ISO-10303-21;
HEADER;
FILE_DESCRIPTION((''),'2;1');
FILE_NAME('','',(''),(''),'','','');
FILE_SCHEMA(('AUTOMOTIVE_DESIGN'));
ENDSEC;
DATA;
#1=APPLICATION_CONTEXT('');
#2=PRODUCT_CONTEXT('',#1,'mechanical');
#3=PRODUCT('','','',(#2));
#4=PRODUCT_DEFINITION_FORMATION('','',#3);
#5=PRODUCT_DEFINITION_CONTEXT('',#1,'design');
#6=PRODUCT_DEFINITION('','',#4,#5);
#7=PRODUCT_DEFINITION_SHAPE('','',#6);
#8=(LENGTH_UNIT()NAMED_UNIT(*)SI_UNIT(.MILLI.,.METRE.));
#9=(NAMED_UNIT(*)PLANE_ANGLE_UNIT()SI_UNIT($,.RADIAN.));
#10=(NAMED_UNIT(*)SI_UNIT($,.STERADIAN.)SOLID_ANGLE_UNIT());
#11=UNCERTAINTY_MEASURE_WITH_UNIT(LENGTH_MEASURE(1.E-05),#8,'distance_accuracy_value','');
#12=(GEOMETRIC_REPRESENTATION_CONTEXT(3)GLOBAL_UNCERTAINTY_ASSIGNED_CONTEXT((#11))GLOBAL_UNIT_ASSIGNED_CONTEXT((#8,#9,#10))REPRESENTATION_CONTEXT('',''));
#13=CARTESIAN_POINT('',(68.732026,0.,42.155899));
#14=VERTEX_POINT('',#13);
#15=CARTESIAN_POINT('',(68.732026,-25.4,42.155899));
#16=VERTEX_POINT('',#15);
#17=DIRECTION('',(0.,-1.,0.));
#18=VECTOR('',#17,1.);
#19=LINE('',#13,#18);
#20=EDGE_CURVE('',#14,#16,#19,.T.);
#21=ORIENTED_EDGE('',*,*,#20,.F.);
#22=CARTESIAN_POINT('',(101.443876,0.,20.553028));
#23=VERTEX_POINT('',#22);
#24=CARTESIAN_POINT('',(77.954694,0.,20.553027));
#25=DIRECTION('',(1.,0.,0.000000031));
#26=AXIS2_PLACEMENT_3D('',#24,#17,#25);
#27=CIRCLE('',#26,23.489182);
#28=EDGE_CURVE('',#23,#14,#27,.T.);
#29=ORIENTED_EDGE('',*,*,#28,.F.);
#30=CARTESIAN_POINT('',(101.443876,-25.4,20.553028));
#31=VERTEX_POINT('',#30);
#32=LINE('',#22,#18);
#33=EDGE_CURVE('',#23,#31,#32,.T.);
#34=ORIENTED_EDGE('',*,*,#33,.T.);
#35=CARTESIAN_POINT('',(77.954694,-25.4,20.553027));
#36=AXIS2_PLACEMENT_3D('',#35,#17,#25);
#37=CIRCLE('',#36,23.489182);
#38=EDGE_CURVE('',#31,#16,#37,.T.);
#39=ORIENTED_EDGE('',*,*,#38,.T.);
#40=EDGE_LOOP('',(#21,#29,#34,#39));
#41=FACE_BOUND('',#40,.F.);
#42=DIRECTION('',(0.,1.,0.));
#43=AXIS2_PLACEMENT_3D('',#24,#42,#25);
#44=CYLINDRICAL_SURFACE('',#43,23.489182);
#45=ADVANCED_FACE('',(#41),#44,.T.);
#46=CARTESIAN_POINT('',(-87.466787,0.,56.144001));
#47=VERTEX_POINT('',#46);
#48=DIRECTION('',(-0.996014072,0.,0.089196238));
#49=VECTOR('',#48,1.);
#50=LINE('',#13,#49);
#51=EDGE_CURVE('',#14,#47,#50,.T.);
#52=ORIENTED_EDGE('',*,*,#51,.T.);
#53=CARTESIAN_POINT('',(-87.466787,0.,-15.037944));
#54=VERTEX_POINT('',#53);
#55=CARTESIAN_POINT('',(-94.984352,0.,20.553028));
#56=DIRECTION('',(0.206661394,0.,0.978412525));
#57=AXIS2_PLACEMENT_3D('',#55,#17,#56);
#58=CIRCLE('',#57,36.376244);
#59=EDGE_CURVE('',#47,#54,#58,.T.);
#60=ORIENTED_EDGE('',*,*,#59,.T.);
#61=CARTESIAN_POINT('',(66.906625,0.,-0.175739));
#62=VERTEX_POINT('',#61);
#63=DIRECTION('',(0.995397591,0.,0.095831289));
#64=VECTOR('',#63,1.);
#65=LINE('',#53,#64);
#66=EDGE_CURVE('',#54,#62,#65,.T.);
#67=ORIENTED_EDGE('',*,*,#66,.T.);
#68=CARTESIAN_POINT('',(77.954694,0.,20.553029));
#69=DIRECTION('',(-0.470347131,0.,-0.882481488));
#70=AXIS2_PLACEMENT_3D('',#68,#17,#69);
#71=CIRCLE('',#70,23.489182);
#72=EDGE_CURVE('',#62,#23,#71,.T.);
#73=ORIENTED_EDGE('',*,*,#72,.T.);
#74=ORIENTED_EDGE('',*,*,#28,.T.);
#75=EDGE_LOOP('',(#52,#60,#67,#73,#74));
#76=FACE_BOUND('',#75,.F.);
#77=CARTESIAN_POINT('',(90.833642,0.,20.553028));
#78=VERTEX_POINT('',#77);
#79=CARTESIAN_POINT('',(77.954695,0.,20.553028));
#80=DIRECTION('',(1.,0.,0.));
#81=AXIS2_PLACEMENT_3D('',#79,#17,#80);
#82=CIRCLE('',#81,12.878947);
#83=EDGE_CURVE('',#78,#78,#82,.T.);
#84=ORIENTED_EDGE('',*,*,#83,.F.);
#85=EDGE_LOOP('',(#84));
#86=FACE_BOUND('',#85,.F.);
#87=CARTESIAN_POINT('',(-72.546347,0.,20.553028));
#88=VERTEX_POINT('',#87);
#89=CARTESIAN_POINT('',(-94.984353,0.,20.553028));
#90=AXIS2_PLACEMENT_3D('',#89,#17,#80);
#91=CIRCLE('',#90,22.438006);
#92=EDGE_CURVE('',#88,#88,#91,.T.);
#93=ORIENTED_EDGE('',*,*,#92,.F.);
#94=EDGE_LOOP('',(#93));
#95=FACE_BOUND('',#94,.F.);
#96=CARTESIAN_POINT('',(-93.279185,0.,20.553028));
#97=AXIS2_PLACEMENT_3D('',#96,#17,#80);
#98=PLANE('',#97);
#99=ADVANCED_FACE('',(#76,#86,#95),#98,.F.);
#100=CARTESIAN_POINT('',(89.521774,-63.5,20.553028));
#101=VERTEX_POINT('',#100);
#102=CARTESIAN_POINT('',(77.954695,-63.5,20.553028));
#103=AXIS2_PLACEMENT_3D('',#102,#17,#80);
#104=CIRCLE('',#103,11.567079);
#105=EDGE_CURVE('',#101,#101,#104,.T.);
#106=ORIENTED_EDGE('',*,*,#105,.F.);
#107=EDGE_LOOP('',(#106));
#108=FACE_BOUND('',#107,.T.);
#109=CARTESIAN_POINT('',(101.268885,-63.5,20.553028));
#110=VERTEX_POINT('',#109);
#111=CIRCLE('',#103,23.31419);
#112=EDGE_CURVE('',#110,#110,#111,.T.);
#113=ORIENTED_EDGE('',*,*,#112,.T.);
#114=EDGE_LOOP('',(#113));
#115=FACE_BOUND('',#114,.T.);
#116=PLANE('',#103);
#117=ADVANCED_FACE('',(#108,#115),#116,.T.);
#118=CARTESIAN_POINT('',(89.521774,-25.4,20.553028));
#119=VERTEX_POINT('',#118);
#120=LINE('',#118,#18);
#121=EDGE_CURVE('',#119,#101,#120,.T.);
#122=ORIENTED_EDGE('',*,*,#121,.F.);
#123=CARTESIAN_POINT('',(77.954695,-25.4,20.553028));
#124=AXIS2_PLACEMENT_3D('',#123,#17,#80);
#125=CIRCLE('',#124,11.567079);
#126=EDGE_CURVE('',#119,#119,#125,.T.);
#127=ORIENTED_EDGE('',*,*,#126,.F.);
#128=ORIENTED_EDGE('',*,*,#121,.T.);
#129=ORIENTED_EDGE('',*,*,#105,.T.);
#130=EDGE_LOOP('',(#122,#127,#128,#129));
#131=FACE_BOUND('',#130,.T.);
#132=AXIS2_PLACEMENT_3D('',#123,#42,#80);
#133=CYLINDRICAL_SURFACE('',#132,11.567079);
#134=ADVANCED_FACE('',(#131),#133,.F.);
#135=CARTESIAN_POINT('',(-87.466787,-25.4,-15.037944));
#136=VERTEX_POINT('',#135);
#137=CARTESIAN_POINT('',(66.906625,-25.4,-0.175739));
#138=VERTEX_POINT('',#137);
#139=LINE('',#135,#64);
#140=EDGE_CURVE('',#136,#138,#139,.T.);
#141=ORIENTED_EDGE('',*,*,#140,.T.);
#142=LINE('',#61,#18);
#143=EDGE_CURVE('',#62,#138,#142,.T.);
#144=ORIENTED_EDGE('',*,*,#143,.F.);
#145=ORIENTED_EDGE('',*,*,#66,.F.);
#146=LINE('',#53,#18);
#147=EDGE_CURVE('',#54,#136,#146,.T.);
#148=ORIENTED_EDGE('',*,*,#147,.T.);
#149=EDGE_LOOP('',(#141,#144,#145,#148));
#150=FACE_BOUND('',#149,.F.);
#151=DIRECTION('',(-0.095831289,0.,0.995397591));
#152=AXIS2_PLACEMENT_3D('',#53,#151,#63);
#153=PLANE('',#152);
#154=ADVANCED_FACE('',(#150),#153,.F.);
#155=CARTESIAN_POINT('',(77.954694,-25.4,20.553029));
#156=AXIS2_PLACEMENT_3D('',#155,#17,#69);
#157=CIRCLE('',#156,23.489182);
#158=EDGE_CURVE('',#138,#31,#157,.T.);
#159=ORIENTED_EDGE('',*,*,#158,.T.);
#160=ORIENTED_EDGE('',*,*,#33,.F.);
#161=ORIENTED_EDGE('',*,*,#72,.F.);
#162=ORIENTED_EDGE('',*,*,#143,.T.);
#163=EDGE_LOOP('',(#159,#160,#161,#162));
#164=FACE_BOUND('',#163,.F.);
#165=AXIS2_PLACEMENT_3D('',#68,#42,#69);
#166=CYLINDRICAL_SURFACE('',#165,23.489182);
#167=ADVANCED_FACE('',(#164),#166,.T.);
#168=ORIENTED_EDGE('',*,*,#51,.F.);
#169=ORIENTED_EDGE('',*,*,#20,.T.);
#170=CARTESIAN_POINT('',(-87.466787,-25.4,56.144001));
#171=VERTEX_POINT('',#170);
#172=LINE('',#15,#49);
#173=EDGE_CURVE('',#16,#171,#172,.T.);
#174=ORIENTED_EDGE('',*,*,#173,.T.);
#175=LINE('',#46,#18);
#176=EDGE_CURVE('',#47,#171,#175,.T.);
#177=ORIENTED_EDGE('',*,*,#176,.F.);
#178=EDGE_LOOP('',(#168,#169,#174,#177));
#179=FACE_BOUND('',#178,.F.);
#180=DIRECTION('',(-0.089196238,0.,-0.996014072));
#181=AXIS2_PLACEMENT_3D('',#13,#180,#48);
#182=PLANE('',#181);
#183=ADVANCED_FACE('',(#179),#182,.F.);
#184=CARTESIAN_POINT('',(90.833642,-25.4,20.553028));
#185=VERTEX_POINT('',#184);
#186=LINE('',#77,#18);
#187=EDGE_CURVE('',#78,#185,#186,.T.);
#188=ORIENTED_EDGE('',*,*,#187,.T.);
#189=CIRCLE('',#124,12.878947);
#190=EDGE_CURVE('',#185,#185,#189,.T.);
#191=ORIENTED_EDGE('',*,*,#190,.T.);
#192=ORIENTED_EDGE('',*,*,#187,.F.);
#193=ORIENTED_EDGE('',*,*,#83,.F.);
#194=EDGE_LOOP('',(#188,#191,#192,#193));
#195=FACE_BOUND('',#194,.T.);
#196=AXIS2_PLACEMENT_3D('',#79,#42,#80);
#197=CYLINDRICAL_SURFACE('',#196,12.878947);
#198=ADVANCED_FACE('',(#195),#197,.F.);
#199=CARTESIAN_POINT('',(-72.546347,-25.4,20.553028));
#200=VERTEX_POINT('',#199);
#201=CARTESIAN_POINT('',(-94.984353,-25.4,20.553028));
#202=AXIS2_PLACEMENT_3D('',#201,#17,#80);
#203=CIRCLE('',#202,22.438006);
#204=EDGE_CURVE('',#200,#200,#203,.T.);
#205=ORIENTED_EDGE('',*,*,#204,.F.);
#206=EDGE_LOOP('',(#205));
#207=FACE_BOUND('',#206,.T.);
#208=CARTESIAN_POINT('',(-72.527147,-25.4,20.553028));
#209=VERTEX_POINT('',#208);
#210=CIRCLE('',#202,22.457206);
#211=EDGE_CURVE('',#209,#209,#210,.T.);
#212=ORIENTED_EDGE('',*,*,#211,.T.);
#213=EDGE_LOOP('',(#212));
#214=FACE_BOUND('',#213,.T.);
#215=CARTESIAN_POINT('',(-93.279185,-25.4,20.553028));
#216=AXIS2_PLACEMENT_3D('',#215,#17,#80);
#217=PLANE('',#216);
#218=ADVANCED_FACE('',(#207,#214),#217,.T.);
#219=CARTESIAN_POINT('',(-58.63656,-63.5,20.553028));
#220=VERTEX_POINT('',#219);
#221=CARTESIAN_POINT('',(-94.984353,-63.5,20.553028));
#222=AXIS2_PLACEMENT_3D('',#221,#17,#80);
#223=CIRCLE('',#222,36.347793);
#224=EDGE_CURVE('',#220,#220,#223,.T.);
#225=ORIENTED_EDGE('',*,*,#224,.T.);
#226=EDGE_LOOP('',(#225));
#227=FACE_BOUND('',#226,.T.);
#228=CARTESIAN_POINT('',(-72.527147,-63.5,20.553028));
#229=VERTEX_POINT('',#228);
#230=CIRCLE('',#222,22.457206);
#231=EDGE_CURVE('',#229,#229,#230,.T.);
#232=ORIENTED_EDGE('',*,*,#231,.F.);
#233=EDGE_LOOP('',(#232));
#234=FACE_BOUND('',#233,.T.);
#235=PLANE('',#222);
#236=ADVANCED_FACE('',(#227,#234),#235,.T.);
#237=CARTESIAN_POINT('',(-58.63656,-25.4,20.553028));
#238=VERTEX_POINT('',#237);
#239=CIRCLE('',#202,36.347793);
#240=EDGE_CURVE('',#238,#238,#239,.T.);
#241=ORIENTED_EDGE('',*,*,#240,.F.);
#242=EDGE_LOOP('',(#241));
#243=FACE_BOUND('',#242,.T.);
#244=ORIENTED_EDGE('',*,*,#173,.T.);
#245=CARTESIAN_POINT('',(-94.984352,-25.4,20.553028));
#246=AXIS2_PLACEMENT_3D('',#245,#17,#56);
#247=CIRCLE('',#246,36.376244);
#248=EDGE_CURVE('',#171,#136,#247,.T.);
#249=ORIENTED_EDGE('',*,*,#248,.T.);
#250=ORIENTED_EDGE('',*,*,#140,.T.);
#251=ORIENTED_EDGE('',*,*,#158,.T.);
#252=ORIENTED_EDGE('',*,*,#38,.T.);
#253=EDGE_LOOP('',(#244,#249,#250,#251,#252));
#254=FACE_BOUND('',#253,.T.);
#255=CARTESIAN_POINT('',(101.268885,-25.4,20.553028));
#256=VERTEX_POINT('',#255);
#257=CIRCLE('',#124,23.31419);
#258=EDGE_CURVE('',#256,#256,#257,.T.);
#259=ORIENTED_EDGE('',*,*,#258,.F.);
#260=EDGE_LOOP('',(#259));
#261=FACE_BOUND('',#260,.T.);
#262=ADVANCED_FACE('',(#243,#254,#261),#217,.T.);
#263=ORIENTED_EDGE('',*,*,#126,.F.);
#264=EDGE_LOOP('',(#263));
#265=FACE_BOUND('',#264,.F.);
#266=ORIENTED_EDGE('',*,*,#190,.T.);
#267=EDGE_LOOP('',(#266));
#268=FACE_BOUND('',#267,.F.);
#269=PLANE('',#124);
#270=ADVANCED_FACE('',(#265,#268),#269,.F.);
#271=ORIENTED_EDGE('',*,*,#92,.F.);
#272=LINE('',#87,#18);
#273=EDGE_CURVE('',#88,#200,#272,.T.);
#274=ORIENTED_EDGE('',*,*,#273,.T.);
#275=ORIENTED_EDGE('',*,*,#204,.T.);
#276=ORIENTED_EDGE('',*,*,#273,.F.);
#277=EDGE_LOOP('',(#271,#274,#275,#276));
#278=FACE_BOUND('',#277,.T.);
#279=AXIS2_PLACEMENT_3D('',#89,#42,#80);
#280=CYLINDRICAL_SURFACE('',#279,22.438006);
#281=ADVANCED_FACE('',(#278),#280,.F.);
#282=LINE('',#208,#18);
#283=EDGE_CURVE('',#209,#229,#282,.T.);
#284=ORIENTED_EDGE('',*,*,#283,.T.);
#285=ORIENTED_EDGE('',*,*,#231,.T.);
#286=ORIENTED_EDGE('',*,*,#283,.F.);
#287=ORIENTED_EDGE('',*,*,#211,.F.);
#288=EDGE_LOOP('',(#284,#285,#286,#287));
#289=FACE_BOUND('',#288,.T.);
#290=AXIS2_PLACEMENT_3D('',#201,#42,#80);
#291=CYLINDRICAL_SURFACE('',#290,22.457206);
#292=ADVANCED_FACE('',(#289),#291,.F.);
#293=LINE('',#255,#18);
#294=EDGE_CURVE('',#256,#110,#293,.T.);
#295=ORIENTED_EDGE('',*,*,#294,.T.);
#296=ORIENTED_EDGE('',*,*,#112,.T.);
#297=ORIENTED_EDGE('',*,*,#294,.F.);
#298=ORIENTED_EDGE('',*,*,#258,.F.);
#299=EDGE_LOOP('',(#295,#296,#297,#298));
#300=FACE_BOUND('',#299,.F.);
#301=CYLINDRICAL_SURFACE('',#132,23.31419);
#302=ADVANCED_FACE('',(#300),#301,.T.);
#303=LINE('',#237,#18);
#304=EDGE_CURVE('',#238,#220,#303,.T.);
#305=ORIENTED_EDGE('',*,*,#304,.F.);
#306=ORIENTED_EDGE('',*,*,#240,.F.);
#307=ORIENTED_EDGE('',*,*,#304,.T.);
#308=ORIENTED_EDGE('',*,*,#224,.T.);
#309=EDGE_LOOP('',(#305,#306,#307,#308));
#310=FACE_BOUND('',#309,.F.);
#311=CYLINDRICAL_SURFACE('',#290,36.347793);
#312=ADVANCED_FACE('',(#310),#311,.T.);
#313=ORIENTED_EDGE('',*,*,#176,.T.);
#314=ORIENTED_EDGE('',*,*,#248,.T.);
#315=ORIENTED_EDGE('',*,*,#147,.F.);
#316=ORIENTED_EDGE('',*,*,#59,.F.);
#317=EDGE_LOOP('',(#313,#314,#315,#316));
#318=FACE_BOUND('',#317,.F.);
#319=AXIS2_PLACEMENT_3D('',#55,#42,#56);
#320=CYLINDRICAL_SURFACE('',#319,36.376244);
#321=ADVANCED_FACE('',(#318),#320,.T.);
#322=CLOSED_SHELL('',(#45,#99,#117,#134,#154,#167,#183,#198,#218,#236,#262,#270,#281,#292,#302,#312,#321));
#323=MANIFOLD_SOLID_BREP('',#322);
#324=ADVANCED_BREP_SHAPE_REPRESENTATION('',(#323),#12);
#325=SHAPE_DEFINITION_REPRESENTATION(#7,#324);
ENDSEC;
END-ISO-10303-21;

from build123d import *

# Parameters (mm, degrees)
F0_R     = 22.438006
F0_R_2   = 12.878947
F1_DEPTH = 25.4
F2_R     = 36.347793
F2_R_2   = 22.457206
F2_R_3   = 23.31419
F2_R_4   = 11.567079
F3_DEPTH = 38.1


with BuildPart() as f1:
    # F0 (on Front) → F1 (new body)
    with BuildSketch(Plane.XZ):
        with BuildLine():
            ThreePointArc((-87.466787, -15.037944), (-66.729336, -2.357344), (-58.608109, 20.553028))
            ThreePointArc((-58.608109, 20.553028), (-66.729336, 43.463401), (-87.466787, 56.144001))
            ThreePointArc((-87.466787, 56.144001), (-131.360596, 20.553028), (-87.466787, -15.037944))
        make_face()
        with Locations((-94.984353, 20.553028)):
            Circle(F0_R, mode=Mode.SUBTRACT)
        with BuildLine():
            ThreePointArc((-87.466787, 56.144001), (-66.729336, 43.463401), (-58.608109, 20.553028))
            ThreePointArc((-58.608109, 20.553028), (-66.729336, -2.357344), (-87.466787, -15.037944))
            Line((-87.466787, -15.037944), (66.906625, -0.175739))
            ThreePointArc((66.906625, -0.175739), (54.487321, 21.564975), (68.732026, 42.155899))
            Line((68.732026, 42.155899), (-87.466787, 56.144001))
        make_face()
        with BuildLine():
            ThreePointArc((101.443876, 20.553028), (90.898973, 40.153724), (68.732026, 42.155899))
            ThreePointArc((68.732026, 42.155899), (54.487321, 21.564975), (66.906625, -0.175739))
            ThreePointArc((66.906625, -0.175739), (90.04253, 0.412873), (101.443876, 20.553028))
        make_face()
        with Locations((77.954695, 20.553028)):
            Circle(F0_R_2, mode=Mode.SUBTRACT)
    extrude(amount=F1_DEPTH)

    # F2 (on face) → F3 (join)
    with BuildSketch(Plane.XZ.offset(25.4)):
        with Locations((-94.984353, 20.553028)):
            Circle(F2_R)
        with Locations((-94.984353, 20.553028)):
            Circle(F2_R_2, mode=Mode.SUBTRACT)
        with Locations((77.954695, 20.553028)):
            Circle(F2_R_3)
        with Locations((77.954695, 20.553028)):
            Circle(F2_R_4, mode=Mode.SUBTRACT)
    extrude(amount=F3_DEPTH)


solid = f1.part
